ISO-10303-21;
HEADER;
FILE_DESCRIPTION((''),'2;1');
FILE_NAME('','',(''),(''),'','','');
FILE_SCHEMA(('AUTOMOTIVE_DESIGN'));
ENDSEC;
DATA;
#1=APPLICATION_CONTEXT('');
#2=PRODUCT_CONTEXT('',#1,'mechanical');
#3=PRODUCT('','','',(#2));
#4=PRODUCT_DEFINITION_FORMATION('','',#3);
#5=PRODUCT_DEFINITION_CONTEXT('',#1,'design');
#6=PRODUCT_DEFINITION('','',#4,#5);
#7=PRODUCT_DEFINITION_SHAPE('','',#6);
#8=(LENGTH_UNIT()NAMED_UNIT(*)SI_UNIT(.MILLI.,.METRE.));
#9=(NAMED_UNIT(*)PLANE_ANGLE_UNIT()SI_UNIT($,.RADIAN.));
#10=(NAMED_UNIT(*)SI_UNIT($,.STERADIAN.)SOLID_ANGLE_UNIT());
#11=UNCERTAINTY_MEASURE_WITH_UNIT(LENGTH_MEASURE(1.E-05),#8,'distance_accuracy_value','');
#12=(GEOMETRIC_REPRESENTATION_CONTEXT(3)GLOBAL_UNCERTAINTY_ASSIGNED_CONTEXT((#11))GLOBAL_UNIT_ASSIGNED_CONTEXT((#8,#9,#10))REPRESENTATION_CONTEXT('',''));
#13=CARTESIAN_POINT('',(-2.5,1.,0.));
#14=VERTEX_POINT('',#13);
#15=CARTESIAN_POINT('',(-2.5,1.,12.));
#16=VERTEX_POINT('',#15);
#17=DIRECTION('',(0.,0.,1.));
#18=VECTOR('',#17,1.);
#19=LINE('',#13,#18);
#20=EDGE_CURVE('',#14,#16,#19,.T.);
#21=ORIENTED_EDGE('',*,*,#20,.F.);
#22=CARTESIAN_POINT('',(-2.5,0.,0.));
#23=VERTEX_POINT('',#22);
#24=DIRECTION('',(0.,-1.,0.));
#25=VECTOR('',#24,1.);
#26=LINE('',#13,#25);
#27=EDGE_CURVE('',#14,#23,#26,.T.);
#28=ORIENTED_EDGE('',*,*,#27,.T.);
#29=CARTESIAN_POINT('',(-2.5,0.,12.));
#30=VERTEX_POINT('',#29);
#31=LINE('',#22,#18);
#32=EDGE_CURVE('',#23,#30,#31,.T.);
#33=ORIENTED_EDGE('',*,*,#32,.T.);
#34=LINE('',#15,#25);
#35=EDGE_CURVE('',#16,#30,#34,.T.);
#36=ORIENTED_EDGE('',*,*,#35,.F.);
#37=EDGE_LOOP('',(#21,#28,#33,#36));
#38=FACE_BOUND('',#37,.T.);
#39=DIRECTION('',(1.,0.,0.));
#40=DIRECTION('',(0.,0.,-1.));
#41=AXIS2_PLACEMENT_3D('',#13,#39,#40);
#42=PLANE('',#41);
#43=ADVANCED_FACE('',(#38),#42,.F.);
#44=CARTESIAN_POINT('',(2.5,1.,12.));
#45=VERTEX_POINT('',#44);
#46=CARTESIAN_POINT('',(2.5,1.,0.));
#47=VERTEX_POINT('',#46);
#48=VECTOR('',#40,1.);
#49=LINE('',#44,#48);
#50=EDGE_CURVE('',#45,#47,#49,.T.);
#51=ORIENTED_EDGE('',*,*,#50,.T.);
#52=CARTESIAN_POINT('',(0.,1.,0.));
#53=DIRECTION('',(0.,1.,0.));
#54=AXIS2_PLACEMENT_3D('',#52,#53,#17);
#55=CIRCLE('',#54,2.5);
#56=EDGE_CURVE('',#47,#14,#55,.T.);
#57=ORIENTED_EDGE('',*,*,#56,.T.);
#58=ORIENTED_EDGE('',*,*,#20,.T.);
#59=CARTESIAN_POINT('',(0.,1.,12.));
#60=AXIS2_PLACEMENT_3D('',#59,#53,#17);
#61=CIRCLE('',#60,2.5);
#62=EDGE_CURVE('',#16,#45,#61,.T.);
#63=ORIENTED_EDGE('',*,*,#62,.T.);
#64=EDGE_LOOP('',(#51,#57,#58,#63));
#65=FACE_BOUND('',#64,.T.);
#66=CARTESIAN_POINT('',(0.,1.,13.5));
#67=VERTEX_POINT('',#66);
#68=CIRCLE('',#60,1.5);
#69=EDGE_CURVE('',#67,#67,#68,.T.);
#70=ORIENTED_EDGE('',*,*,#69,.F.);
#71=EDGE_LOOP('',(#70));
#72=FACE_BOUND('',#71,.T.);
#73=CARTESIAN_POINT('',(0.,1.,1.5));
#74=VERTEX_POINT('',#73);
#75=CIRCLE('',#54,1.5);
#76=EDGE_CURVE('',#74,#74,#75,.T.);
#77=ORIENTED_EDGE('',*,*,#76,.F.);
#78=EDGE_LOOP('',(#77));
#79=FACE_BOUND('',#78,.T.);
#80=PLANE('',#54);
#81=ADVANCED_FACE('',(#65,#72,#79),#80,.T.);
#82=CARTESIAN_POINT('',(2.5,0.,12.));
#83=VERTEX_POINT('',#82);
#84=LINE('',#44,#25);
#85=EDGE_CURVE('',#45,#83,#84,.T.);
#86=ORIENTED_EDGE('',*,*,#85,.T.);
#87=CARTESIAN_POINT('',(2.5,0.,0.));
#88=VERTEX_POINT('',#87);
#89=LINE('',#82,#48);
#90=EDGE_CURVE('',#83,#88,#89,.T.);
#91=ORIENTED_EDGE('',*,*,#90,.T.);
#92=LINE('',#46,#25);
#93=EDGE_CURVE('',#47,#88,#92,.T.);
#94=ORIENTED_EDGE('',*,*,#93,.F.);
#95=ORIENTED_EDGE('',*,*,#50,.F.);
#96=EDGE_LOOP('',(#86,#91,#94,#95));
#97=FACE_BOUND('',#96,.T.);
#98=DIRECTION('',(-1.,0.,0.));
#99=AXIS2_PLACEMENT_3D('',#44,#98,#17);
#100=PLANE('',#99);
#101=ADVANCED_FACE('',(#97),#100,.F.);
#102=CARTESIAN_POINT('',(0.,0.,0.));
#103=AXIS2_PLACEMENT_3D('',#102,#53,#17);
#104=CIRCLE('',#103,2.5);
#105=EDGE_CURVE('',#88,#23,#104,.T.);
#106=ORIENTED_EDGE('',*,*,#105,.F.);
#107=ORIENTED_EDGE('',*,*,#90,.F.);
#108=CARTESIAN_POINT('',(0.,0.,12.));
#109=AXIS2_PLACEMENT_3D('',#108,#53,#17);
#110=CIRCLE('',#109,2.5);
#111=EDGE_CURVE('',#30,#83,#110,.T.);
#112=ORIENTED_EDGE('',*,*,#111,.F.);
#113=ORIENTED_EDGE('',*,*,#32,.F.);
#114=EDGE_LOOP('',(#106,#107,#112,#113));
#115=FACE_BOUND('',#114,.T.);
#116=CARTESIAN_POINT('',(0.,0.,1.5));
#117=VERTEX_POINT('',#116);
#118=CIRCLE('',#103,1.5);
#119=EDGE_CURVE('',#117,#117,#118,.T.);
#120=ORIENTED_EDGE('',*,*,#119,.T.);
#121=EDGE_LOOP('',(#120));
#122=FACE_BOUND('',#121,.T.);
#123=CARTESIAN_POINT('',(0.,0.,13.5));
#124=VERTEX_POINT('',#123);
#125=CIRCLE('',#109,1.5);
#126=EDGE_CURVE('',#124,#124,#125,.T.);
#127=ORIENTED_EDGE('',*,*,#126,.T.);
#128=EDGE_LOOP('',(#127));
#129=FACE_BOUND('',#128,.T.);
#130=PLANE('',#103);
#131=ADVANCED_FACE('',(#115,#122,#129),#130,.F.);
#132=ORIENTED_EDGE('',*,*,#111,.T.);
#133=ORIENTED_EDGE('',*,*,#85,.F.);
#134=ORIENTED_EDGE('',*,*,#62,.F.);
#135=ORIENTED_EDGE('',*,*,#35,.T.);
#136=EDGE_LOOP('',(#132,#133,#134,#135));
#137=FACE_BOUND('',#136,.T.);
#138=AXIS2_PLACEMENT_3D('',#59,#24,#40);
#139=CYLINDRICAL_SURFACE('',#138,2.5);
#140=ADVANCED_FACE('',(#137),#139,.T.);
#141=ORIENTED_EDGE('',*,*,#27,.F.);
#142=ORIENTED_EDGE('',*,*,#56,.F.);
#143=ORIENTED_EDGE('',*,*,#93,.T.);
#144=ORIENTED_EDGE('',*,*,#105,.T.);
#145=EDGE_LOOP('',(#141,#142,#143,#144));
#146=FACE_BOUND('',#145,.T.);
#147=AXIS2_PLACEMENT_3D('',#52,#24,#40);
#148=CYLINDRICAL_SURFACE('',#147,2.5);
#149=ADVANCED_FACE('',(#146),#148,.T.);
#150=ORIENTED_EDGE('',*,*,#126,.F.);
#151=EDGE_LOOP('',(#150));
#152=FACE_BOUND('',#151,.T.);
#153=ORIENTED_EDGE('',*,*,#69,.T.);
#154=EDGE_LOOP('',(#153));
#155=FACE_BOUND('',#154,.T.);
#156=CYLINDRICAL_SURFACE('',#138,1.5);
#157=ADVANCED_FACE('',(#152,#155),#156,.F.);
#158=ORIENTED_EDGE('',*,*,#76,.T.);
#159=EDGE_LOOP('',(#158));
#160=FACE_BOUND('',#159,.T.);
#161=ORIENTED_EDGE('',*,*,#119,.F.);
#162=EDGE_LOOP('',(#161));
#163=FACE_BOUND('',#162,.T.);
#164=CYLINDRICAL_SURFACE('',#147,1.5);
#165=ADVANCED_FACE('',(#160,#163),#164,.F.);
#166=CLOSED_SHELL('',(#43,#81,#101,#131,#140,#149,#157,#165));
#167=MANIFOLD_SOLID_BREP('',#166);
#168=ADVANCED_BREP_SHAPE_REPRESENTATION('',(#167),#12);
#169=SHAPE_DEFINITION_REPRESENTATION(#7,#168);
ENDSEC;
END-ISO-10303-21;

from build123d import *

# Parameters (mm, degrees)
SKETCH_1_R      = 1.5
EXTRUDE_1_DEPTH = 1


with BuildPart() as part:
    # 草图1 → 凸台-拉伸1 (new body)
    with BuildSketch(Plane(origin=(0, 0, 0), x_dir=(1, 0, 0), z_dir=(0, 1, 0))):
        with BuildLine():
            Line((-2.5, 0), (-2.5, -12))
            ThreePointArc((-2.5, -12), (0, -14.5), (2.5, -12))
            Line((2.5, -12), (2.5, 0))
            ThreePointArc((2.5, 0), (0, 2.5), (-2.5, 0))
        make_face()
        Circle(SKETCH_1_R, mode=Mode.SUBTRACT)
        with Locations((0, -12)):
            Circle(SKETCH_1_R, mode=Mode.SUBTRACT)
    extrude(amount=EXTRUDE_1_DEPTH)


solid = part.part
